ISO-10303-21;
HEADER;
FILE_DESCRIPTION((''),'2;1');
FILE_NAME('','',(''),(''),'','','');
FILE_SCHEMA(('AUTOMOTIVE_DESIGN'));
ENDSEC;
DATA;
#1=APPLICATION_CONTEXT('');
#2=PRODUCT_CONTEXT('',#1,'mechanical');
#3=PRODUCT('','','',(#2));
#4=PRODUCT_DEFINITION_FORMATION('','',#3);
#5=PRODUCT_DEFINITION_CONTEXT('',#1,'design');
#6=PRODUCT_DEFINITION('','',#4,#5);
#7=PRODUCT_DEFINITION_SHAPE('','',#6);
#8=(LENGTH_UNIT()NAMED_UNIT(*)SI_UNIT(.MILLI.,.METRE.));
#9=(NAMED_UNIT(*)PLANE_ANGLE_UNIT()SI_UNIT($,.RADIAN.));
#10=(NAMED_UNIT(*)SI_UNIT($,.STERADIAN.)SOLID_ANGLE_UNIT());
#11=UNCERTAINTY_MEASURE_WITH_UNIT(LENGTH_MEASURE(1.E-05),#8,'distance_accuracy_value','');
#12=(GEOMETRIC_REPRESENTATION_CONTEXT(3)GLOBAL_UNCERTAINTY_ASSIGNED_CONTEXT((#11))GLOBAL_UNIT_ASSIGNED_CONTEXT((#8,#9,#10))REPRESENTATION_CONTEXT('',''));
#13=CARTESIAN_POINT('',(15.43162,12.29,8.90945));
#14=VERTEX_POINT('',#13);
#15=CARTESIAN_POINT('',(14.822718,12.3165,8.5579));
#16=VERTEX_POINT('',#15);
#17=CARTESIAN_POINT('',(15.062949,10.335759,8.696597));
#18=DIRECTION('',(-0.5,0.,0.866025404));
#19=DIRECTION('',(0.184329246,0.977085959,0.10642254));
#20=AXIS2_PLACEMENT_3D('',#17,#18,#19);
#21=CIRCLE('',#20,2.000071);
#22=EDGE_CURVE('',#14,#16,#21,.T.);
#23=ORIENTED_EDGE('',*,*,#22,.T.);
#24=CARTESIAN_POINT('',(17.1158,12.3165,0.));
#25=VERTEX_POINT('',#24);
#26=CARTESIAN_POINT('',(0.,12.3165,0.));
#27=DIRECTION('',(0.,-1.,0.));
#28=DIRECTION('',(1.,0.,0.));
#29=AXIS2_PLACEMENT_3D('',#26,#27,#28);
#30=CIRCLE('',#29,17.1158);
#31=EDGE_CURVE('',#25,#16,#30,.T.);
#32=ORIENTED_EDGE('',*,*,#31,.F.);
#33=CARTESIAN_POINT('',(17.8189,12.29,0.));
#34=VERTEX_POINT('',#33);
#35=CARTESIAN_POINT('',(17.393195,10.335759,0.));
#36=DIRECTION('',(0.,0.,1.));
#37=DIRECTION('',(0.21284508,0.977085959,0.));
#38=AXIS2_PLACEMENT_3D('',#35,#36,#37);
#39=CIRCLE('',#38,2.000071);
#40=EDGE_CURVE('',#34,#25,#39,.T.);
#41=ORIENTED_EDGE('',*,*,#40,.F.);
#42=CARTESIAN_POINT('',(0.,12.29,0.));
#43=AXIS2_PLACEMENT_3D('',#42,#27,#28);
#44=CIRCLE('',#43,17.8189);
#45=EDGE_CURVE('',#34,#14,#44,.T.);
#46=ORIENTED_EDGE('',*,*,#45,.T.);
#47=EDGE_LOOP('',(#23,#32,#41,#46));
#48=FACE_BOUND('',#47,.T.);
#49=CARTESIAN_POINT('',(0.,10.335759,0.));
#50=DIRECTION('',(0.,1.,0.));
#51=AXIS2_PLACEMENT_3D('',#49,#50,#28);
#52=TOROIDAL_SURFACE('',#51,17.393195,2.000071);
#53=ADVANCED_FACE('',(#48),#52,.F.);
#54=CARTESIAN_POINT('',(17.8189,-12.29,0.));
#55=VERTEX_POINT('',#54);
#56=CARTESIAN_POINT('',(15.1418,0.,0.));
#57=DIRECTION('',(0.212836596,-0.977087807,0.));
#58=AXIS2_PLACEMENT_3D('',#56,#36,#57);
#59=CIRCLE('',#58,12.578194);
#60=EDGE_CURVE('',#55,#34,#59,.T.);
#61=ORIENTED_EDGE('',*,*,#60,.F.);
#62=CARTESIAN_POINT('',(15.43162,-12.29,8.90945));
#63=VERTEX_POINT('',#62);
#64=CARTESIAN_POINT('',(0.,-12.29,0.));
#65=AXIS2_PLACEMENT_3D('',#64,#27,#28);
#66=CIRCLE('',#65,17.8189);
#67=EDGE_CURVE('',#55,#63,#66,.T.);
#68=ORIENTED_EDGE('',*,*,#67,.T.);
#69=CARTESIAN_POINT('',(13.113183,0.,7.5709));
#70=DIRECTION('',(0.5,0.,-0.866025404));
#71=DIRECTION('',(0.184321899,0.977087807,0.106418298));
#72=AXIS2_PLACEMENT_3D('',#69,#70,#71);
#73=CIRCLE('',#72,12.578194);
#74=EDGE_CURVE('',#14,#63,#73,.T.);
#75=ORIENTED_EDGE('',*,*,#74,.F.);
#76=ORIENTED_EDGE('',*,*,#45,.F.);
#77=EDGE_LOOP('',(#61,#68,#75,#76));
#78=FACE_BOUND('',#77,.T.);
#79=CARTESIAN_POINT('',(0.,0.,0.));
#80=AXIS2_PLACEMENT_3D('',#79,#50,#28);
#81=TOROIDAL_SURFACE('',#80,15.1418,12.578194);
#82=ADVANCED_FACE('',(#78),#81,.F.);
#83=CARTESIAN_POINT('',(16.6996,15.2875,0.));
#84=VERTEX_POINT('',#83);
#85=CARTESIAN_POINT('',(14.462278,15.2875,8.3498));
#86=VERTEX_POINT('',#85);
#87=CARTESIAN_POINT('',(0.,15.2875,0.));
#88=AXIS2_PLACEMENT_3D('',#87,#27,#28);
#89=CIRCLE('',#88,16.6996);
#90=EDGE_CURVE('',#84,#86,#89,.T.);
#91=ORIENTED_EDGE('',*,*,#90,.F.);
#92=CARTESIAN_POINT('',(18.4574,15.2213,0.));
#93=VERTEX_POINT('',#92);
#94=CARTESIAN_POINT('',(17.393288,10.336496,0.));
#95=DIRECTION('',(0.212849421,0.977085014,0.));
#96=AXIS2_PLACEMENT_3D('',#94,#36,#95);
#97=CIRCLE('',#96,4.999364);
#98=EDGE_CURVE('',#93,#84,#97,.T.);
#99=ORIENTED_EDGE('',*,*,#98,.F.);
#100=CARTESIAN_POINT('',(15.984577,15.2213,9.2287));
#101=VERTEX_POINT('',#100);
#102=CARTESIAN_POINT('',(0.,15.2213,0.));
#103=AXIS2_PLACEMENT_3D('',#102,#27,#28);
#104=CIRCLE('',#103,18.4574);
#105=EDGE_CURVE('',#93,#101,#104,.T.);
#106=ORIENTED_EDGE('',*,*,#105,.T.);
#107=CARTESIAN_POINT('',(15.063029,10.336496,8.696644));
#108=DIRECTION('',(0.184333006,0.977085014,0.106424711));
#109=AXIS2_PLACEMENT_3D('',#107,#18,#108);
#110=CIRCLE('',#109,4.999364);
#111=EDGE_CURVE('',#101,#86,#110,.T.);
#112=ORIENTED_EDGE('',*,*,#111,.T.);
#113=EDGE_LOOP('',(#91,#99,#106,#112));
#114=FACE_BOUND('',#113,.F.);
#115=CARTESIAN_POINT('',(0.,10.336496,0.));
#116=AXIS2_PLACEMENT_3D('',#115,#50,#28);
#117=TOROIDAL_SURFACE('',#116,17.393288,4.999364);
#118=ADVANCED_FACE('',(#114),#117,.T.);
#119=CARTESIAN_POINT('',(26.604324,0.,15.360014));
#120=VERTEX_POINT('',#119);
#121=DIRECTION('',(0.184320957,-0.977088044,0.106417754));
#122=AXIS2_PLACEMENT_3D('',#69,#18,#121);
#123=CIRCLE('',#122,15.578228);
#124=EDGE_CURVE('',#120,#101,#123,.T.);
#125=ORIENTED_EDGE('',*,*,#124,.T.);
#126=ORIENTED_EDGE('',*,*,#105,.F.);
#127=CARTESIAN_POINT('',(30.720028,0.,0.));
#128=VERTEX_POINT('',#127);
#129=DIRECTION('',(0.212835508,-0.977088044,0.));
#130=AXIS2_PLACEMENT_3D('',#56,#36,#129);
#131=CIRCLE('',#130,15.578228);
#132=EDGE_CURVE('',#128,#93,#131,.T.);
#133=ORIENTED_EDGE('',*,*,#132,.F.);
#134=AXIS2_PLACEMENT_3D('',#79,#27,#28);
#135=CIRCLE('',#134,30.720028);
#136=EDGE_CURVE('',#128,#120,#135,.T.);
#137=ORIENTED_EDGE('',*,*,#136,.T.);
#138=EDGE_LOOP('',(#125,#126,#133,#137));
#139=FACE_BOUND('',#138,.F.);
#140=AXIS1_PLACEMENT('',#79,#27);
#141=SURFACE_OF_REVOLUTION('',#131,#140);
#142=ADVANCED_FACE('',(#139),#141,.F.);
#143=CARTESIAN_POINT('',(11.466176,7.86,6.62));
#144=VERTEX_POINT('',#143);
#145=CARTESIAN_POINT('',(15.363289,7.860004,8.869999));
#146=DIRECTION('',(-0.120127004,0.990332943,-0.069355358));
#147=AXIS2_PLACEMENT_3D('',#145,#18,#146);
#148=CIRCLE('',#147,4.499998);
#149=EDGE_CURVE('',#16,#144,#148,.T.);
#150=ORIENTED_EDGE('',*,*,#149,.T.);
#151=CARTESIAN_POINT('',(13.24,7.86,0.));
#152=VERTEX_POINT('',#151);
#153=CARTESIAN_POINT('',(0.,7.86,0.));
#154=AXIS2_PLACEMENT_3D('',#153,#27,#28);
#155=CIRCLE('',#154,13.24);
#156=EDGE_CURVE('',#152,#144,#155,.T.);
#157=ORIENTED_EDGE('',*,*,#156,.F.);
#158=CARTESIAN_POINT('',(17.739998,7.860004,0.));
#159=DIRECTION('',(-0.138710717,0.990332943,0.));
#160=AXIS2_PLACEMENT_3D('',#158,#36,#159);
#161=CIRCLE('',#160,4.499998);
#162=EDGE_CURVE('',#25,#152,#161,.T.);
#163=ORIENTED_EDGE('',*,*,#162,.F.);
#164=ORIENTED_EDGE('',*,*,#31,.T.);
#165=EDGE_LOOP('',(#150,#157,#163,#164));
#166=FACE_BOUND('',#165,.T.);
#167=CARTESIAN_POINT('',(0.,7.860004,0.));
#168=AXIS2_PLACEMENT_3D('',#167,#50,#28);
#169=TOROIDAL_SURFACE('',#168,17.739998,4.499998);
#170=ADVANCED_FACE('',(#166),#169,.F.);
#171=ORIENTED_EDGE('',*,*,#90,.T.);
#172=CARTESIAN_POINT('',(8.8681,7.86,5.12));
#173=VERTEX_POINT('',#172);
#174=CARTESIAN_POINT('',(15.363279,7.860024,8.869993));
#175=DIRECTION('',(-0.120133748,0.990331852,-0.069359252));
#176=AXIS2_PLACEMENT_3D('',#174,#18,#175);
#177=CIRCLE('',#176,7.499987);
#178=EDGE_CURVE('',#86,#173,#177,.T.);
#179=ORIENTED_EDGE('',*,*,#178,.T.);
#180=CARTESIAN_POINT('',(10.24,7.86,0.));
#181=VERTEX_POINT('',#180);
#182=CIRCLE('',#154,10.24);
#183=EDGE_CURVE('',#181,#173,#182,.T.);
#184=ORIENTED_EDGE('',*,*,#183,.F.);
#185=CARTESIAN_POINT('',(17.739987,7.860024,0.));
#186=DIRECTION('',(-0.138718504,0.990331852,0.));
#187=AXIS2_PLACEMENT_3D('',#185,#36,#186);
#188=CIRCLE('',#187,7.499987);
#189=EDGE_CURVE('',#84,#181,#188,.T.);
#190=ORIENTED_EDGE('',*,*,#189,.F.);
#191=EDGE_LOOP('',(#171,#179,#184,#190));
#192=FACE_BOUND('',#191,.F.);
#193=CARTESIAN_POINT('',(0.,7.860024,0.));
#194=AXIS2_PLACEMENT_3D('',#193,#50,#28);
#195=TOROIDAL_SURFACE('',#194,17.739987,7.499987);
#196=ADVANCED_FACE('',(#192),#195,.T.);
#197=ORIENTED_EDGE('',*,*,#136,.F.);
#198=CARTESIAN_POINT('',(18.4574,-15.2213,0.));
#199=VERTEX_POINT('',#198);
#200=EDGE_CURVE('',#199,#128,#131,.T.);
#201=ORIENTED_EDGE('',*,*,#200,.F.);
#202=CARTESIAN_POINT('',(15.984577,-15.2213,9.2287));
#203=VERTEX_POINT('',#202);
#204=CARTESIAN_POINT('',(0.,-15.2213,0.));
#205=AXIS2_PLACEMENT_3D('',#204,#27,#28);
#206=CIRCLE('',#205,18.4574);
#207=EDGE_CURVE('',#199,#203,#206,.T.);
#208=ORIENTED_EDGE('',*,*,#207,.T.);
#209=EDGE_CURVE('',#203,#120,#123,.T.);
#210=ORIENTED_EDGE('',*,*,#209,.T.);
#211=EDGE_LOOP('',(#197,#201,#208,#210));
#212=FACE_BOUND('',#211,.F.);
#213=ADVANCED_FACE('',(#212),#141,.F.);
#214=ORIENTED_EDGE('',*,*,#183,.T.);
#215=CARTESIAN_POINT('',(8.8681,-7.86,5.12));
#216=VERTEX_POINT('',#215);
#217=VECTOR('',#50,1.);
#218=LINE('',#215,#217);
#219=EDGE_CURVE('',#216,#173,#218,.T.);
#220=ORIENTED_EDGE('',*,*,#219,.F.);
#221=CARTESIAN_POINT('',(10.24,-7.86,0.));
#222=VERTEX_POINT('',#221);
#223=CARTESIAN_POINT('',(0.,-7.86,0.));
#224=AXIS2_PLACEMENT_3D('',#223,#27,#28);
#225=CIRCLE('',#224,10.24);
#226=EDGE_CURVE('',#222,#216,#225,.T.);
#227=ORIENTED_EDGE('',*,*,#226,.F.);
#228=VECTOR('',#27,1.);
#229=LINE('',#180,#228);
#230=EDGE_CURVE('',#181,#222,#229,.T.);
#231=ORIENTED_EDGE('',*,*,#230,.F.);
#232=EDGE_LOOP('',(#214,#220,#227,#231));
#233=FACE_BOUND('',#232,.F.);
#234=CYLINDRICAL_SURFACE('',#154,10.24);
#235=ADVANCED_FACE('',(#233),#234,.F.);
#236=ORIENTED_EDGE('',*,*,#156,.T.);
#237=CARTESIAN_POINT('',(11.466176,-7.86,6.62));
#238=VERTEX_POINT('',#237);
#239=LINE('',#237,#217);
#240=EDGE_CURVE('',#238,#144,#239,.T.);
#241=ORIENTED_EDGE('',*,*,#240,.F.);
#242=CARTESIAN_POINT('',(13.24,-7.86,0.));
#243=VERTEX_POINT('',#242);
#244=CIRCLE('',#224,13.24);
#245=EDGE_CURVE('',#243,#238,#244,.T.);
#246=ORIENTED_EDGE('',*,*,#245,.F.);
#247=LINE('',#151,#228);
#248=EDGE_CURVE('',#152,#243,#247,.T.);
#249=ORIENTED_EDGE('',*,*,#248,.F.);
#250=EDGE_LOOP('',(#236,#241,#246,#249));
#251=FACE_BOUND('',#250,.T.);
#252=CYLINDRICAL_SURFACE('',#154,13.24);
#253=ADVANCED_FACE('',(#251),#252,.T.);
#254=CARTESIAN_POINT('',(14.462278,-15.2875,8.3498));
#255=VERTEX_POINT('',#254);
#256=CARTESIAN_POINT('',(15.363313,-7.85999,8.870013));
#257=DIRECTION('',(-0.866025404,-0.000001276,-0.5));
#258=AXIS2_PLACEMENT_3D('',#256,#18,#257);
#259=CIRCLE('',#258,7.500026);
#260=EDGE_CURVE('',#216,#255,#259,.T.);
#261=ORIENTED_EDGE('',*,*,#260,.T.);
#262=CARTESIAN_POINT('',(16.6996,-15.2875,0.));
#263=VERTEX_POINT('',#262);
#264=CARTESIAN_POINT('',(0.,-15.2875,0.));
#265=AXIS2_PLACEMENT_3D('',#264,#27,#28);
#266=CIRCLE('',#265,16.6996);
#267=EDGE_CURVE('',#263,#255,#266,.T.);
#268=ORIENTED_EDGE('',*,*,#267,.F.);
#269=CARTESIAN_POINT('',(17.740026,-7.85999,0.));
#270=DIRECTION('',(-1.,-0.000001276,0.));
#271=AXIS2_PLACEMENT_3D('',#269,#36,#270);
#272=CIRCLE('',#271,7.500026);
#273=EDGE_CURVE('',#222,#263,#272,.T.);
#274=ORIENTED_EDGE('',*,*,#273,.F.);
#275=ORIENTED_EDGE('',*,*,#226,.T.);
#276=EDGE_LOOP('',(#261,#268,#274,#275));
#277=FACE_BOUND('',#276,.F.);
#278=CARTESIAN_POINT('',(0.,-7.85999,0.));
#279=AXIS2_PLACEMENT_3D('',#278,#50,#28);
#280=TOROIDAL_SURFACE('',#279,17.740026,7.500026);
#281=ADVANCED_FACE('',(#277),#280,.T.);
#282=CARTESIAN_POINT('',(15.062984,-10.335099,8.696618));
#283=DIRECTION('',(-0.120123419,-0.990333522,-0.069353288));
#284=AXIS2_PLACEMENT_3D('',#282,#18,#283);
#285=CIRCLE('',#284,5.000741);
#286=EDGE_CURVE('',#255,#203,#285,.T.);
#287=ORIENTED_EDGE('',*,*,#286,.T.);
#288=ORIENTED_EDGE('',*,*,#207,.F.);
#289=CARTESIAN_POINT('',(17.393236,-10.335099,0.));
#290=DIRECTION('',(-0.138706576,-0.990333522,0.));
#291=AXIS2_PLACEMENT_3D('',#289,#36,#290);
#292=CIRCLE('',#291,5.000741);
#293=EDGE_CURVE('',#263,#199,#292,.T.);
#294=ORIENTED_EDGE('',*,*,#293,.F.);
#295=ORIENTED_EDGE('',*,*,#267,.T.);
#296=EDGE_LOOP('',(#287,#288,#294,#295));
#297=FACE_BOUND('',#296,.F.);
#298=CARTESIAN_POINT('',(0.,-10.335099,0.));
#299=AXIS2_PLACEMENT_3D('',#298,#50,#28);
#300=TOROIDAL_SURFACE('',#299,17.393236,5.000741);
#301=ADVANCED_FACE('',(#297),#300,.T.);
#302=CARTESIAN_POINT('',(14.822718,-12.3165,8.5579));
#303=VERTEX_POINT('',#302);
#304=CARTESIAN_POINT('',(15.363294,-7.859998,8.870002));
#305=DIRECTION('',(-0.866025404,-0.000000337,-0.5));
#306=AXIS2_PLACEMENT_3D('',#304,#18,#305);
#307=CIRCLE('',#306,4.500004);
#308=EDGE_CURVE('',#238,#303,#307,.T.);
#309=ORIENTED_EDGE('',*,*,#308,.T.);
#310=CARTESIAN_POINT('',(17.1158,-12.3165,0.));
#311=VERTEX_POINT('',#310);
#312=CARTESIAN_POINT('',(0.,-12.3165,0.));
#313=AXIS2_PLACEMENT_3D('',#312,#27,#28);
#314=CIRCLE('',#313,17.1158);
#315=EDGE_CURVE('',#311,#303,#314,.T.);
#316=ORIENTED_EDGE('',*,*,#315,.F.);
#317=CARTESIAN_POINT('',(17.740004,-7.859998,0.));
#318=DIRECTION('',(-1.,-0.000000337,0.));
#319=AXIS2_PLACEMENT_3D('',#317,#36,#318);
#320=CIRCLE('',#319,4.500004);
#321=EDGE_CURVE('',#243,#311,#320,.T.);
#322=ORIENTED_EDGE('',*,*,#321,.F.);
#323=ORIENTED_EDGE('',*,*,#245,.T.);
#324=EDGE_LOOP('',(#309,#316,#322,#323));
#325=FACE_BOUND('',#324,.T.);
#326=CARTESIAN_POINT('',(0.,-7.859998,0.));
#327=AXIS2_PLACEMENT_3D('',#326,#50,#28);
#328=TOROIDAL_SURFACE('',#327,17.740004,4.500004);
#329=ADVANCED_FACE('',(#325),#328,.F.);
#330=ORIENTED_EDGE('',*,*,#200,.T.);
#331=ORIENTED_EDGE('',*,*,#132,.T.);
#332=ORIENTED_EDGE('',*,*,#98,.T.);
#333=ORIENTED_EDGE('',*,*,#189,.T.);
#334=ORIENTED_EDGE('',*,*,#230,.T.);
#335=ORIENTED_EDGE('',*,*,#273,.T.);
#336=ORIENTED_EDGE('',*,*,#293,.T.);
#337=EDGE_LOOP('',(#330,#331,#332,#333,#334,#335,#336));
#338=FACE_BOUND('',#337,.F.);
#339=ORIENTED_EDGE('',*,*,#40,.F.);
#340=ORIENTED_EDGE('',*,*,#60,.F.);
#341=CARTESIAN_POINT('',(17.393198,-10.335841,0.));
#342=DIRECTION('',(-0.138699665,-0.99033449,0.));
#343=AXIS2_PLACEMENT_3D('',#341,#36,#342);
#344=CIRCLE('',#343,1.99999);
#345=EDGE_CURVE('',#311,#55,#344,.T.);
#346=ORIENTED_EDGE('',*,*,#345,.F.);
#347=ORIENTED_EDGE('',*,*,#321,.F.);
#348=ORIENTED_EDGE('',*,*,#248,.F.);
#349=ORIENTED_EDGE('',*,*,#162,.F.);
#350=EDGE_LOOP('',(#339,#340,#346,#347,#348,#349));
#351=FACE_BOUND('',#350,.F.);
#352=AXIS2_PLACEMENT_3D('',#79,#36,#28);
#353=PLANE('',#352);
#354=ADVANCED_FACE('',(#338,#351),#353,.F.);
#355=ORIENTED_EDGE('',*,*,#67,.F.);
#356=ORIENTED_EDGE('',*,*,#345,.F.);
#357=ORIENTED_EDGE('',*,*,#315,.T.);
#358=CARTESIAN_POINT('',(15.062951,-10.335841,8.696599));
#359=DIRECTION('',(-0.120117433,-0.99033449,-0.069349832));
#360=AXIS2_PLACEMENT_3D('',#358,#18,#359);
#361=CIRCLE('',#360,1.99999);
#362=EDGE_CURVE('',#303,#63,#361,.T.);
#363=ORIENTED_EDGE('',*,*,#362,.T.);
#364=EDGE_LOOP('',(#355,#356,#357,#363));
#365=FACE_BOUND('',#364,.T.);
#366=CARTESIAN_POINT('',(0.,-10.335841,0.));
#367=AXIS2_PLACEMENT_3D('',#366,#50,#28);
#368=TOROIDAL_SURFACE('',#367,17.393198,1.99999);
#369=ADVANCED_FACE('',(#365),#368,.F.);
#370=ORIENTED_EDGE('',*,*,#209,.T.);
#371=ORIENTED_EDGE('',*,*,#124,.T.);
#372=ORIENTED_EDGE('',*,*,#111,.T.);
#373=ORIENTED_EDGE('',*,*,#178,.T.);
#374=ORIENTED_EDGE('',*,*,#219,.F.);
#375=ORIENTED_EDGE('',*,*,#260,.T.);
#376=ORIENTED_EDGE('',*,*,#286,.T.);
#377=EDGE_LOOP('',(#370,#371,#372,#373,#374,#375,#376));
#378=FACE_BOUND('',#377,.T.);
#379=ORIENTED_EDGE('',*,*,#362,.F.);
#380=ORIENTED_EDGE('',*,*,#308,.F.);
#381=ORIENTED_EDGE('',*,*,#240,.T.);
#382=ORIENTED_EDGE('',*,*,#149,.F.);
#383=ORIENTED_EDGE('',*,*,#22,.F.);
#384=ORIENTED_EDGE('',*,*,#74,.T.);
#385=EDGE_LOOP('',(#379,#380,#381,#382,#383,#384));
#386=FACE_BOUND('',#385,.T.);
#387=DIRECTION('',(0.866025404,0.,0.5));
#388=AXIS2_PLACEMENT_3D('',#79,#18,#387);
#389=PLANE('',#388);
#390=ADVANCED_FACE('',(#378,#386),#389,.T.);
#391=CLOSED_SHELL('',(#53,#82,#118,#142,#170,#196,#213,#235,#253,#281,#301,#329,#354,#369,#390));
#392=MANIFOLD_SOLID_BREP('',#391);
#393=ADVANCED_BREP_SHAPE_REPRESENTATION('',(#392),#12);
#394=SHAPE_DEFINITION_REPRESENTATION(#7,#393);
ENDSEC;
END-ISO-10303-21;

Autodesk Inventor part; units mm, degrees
ref_plane "Work Plane2" through (0, 0, 0) normal (-0.2588, 0, -0.9659) x (0, 1, 0)
ref_plane "Work Plane1" through (-7, 0, -29.5697) normal (1, 0, 0) x (0, 0, -1)
ref_plane "YZ Plane" through (0, 0, 0) normal (1, 0, 0) x (0, 1, 0)
sketch "Sketch1" plane through (0, 0, 0) normal (0, 0, 1) x (1, 0, 0)
  line L0 (0, 0) -> (0, 15.36) construction
  line L1 (10.24, 7.86) -> (10.24, -7.86)
  line L2 (17.74, 15.36) -> (17.74, -15.36) construction
  arc A0 (16.6996, 15.2875) -> (10.24, 7.86) centre (17.74, 7.86) ccw
  arc A1 (10.24, -7.86) -> (16.6996, -15.2875) centre (17.74, -7.86) ccw
  arc A2 (18.4574, -15.2213) -> (18.4574, 15.2213) centre (15.1418, 0) ccw
  line L3 (0, 0) -> (51.4073, 0)
  arc A3 (18.4574, 15.2213) -> (16.6996, 15.2875) centre (17.3932, 10.3358) ccw
  arc A4 (16.6996, -15.2875) -> (18.4574, -15.2213) centre (17.3932, -10.3358) ccw
  arc A5 (17.8189, 12.29) -> (17.1158, 12.3165) centre (17.3932, 10.3358) ccw
  arc A6 (17.1158, 12.3165) -> (13.24, 7.86) centre (17.74, 7.86) ccw
  line L4 (13.24, 7.86) -> (13.24, -7.86)
  arc A7 (13.24, -7.86) -> (17.1158, -12.3165) centre (17.74, -7.86) ccw
  arc A8 (17.1158, -12.3165) -> (17.8189, -12.29) centre (17.3932, -10.3358) ccw
  arc A9 (17.8189, -12.29) -> (17.8189, 12.29) centre (15.1418, 0) ccw
  point P0 (10.24, 0)
  point P1 (30.72, 0)
  point P2 (17.74, 0)
  dimension "MaxHeight" = 15.36
  dimension "FlatHeightx2" = 15.72
  dimension "ID" = 20.48
  dimension "OD" = 61.44
  dimension "d5" = 30.72
  dimension "RadAtPeak" = 17.74
  dimension "d90" = 5
  dimension "d97" = 3
revolve "Revolution1" add sketch "Sketch1" angle 30 about axis through (0, 0, 0) along (0, -1, 0) contours A0 A3 A2 L3 A9 A5 A6 L4 L1 | L3 L4 A7 A8 A9 A2 A4 A1 L1
sketch "Sketch7" plane through (0, 0, 0) normal (0, 1, 0) x (-1, 0, 0)
  circle A0 centre (0, 0) radius 198.9616
sketch "Sketch8" plane through (0, 0, 0) normal (1, 0, 0) x (0, 1, 0)
  circle A0 centre (0, 0) radius 159.0195
sketch "Sketch9" plane through (0, 0, 0) normal (1, 0, 0) x (0, 0, -1)
  line L0 (74, 0) -> (35, 0) projected
  point P0 (0, 0)
  point P1 (-52.5, 0)
  point P2 (0, 0)
  point P3 (52.5, 0)
  dimension "d88" = 105
  dimension "d89" = 52.5
sketch "Sketch11" plane through (0, 0, 0) normal (1, 0, 0) x (0, 0, -1)
  arc A0 (-35, 25.9107) -> (-42.6927, 34.8921) centre (-44.0893, 25.9107) ccw projected
  line L0 (-35, 25.9107) -> (-35, 0) projected
  line L1 (-35, 0) -> (35, 0) projected
  arc A1 (-50.0415, 0) -> (-54.9585, 0) centre (-52.5, 0) ccw projected
  arc A2 (-50.0415, 0) -> (-54.9585, 0) centre (-37.5, 0) ccw projected
  arc A3 (-39.8678, 39.0634) -> (-73, 0) centre (-33.4058, 0) ccw
  arc A4 (-29.5697, 27.789) -> (-36.4391, 38.3935) centre (-44.0893, 25.9107) ccw
  line L2 (-29.5697, 27.789) -> (-29.5697, 0)
  line L3 (-35, 0) -> (35, 0) projected
  line L4 (-73, 0) -> (-29.5697, 0)
  arc A5 (-36.4391, 38.3935) -> (-39.8678, 39.0634) centre (-39.0518, 34.1304) ccw
  point P0 (0, 0)
  point P1 (-35, 0)
  point P2 (-29.5697, 0)
  point P3 (-54.9585, 0)
  point P4 (-50.0415, 0)
  dimension "d91" = 5
equation "\"d5\" = 2 * MaxHeight"
equation "\"d63_Copy\" = 35"
properties part number "L_20uH-Wedge" material "UHMW, White"
